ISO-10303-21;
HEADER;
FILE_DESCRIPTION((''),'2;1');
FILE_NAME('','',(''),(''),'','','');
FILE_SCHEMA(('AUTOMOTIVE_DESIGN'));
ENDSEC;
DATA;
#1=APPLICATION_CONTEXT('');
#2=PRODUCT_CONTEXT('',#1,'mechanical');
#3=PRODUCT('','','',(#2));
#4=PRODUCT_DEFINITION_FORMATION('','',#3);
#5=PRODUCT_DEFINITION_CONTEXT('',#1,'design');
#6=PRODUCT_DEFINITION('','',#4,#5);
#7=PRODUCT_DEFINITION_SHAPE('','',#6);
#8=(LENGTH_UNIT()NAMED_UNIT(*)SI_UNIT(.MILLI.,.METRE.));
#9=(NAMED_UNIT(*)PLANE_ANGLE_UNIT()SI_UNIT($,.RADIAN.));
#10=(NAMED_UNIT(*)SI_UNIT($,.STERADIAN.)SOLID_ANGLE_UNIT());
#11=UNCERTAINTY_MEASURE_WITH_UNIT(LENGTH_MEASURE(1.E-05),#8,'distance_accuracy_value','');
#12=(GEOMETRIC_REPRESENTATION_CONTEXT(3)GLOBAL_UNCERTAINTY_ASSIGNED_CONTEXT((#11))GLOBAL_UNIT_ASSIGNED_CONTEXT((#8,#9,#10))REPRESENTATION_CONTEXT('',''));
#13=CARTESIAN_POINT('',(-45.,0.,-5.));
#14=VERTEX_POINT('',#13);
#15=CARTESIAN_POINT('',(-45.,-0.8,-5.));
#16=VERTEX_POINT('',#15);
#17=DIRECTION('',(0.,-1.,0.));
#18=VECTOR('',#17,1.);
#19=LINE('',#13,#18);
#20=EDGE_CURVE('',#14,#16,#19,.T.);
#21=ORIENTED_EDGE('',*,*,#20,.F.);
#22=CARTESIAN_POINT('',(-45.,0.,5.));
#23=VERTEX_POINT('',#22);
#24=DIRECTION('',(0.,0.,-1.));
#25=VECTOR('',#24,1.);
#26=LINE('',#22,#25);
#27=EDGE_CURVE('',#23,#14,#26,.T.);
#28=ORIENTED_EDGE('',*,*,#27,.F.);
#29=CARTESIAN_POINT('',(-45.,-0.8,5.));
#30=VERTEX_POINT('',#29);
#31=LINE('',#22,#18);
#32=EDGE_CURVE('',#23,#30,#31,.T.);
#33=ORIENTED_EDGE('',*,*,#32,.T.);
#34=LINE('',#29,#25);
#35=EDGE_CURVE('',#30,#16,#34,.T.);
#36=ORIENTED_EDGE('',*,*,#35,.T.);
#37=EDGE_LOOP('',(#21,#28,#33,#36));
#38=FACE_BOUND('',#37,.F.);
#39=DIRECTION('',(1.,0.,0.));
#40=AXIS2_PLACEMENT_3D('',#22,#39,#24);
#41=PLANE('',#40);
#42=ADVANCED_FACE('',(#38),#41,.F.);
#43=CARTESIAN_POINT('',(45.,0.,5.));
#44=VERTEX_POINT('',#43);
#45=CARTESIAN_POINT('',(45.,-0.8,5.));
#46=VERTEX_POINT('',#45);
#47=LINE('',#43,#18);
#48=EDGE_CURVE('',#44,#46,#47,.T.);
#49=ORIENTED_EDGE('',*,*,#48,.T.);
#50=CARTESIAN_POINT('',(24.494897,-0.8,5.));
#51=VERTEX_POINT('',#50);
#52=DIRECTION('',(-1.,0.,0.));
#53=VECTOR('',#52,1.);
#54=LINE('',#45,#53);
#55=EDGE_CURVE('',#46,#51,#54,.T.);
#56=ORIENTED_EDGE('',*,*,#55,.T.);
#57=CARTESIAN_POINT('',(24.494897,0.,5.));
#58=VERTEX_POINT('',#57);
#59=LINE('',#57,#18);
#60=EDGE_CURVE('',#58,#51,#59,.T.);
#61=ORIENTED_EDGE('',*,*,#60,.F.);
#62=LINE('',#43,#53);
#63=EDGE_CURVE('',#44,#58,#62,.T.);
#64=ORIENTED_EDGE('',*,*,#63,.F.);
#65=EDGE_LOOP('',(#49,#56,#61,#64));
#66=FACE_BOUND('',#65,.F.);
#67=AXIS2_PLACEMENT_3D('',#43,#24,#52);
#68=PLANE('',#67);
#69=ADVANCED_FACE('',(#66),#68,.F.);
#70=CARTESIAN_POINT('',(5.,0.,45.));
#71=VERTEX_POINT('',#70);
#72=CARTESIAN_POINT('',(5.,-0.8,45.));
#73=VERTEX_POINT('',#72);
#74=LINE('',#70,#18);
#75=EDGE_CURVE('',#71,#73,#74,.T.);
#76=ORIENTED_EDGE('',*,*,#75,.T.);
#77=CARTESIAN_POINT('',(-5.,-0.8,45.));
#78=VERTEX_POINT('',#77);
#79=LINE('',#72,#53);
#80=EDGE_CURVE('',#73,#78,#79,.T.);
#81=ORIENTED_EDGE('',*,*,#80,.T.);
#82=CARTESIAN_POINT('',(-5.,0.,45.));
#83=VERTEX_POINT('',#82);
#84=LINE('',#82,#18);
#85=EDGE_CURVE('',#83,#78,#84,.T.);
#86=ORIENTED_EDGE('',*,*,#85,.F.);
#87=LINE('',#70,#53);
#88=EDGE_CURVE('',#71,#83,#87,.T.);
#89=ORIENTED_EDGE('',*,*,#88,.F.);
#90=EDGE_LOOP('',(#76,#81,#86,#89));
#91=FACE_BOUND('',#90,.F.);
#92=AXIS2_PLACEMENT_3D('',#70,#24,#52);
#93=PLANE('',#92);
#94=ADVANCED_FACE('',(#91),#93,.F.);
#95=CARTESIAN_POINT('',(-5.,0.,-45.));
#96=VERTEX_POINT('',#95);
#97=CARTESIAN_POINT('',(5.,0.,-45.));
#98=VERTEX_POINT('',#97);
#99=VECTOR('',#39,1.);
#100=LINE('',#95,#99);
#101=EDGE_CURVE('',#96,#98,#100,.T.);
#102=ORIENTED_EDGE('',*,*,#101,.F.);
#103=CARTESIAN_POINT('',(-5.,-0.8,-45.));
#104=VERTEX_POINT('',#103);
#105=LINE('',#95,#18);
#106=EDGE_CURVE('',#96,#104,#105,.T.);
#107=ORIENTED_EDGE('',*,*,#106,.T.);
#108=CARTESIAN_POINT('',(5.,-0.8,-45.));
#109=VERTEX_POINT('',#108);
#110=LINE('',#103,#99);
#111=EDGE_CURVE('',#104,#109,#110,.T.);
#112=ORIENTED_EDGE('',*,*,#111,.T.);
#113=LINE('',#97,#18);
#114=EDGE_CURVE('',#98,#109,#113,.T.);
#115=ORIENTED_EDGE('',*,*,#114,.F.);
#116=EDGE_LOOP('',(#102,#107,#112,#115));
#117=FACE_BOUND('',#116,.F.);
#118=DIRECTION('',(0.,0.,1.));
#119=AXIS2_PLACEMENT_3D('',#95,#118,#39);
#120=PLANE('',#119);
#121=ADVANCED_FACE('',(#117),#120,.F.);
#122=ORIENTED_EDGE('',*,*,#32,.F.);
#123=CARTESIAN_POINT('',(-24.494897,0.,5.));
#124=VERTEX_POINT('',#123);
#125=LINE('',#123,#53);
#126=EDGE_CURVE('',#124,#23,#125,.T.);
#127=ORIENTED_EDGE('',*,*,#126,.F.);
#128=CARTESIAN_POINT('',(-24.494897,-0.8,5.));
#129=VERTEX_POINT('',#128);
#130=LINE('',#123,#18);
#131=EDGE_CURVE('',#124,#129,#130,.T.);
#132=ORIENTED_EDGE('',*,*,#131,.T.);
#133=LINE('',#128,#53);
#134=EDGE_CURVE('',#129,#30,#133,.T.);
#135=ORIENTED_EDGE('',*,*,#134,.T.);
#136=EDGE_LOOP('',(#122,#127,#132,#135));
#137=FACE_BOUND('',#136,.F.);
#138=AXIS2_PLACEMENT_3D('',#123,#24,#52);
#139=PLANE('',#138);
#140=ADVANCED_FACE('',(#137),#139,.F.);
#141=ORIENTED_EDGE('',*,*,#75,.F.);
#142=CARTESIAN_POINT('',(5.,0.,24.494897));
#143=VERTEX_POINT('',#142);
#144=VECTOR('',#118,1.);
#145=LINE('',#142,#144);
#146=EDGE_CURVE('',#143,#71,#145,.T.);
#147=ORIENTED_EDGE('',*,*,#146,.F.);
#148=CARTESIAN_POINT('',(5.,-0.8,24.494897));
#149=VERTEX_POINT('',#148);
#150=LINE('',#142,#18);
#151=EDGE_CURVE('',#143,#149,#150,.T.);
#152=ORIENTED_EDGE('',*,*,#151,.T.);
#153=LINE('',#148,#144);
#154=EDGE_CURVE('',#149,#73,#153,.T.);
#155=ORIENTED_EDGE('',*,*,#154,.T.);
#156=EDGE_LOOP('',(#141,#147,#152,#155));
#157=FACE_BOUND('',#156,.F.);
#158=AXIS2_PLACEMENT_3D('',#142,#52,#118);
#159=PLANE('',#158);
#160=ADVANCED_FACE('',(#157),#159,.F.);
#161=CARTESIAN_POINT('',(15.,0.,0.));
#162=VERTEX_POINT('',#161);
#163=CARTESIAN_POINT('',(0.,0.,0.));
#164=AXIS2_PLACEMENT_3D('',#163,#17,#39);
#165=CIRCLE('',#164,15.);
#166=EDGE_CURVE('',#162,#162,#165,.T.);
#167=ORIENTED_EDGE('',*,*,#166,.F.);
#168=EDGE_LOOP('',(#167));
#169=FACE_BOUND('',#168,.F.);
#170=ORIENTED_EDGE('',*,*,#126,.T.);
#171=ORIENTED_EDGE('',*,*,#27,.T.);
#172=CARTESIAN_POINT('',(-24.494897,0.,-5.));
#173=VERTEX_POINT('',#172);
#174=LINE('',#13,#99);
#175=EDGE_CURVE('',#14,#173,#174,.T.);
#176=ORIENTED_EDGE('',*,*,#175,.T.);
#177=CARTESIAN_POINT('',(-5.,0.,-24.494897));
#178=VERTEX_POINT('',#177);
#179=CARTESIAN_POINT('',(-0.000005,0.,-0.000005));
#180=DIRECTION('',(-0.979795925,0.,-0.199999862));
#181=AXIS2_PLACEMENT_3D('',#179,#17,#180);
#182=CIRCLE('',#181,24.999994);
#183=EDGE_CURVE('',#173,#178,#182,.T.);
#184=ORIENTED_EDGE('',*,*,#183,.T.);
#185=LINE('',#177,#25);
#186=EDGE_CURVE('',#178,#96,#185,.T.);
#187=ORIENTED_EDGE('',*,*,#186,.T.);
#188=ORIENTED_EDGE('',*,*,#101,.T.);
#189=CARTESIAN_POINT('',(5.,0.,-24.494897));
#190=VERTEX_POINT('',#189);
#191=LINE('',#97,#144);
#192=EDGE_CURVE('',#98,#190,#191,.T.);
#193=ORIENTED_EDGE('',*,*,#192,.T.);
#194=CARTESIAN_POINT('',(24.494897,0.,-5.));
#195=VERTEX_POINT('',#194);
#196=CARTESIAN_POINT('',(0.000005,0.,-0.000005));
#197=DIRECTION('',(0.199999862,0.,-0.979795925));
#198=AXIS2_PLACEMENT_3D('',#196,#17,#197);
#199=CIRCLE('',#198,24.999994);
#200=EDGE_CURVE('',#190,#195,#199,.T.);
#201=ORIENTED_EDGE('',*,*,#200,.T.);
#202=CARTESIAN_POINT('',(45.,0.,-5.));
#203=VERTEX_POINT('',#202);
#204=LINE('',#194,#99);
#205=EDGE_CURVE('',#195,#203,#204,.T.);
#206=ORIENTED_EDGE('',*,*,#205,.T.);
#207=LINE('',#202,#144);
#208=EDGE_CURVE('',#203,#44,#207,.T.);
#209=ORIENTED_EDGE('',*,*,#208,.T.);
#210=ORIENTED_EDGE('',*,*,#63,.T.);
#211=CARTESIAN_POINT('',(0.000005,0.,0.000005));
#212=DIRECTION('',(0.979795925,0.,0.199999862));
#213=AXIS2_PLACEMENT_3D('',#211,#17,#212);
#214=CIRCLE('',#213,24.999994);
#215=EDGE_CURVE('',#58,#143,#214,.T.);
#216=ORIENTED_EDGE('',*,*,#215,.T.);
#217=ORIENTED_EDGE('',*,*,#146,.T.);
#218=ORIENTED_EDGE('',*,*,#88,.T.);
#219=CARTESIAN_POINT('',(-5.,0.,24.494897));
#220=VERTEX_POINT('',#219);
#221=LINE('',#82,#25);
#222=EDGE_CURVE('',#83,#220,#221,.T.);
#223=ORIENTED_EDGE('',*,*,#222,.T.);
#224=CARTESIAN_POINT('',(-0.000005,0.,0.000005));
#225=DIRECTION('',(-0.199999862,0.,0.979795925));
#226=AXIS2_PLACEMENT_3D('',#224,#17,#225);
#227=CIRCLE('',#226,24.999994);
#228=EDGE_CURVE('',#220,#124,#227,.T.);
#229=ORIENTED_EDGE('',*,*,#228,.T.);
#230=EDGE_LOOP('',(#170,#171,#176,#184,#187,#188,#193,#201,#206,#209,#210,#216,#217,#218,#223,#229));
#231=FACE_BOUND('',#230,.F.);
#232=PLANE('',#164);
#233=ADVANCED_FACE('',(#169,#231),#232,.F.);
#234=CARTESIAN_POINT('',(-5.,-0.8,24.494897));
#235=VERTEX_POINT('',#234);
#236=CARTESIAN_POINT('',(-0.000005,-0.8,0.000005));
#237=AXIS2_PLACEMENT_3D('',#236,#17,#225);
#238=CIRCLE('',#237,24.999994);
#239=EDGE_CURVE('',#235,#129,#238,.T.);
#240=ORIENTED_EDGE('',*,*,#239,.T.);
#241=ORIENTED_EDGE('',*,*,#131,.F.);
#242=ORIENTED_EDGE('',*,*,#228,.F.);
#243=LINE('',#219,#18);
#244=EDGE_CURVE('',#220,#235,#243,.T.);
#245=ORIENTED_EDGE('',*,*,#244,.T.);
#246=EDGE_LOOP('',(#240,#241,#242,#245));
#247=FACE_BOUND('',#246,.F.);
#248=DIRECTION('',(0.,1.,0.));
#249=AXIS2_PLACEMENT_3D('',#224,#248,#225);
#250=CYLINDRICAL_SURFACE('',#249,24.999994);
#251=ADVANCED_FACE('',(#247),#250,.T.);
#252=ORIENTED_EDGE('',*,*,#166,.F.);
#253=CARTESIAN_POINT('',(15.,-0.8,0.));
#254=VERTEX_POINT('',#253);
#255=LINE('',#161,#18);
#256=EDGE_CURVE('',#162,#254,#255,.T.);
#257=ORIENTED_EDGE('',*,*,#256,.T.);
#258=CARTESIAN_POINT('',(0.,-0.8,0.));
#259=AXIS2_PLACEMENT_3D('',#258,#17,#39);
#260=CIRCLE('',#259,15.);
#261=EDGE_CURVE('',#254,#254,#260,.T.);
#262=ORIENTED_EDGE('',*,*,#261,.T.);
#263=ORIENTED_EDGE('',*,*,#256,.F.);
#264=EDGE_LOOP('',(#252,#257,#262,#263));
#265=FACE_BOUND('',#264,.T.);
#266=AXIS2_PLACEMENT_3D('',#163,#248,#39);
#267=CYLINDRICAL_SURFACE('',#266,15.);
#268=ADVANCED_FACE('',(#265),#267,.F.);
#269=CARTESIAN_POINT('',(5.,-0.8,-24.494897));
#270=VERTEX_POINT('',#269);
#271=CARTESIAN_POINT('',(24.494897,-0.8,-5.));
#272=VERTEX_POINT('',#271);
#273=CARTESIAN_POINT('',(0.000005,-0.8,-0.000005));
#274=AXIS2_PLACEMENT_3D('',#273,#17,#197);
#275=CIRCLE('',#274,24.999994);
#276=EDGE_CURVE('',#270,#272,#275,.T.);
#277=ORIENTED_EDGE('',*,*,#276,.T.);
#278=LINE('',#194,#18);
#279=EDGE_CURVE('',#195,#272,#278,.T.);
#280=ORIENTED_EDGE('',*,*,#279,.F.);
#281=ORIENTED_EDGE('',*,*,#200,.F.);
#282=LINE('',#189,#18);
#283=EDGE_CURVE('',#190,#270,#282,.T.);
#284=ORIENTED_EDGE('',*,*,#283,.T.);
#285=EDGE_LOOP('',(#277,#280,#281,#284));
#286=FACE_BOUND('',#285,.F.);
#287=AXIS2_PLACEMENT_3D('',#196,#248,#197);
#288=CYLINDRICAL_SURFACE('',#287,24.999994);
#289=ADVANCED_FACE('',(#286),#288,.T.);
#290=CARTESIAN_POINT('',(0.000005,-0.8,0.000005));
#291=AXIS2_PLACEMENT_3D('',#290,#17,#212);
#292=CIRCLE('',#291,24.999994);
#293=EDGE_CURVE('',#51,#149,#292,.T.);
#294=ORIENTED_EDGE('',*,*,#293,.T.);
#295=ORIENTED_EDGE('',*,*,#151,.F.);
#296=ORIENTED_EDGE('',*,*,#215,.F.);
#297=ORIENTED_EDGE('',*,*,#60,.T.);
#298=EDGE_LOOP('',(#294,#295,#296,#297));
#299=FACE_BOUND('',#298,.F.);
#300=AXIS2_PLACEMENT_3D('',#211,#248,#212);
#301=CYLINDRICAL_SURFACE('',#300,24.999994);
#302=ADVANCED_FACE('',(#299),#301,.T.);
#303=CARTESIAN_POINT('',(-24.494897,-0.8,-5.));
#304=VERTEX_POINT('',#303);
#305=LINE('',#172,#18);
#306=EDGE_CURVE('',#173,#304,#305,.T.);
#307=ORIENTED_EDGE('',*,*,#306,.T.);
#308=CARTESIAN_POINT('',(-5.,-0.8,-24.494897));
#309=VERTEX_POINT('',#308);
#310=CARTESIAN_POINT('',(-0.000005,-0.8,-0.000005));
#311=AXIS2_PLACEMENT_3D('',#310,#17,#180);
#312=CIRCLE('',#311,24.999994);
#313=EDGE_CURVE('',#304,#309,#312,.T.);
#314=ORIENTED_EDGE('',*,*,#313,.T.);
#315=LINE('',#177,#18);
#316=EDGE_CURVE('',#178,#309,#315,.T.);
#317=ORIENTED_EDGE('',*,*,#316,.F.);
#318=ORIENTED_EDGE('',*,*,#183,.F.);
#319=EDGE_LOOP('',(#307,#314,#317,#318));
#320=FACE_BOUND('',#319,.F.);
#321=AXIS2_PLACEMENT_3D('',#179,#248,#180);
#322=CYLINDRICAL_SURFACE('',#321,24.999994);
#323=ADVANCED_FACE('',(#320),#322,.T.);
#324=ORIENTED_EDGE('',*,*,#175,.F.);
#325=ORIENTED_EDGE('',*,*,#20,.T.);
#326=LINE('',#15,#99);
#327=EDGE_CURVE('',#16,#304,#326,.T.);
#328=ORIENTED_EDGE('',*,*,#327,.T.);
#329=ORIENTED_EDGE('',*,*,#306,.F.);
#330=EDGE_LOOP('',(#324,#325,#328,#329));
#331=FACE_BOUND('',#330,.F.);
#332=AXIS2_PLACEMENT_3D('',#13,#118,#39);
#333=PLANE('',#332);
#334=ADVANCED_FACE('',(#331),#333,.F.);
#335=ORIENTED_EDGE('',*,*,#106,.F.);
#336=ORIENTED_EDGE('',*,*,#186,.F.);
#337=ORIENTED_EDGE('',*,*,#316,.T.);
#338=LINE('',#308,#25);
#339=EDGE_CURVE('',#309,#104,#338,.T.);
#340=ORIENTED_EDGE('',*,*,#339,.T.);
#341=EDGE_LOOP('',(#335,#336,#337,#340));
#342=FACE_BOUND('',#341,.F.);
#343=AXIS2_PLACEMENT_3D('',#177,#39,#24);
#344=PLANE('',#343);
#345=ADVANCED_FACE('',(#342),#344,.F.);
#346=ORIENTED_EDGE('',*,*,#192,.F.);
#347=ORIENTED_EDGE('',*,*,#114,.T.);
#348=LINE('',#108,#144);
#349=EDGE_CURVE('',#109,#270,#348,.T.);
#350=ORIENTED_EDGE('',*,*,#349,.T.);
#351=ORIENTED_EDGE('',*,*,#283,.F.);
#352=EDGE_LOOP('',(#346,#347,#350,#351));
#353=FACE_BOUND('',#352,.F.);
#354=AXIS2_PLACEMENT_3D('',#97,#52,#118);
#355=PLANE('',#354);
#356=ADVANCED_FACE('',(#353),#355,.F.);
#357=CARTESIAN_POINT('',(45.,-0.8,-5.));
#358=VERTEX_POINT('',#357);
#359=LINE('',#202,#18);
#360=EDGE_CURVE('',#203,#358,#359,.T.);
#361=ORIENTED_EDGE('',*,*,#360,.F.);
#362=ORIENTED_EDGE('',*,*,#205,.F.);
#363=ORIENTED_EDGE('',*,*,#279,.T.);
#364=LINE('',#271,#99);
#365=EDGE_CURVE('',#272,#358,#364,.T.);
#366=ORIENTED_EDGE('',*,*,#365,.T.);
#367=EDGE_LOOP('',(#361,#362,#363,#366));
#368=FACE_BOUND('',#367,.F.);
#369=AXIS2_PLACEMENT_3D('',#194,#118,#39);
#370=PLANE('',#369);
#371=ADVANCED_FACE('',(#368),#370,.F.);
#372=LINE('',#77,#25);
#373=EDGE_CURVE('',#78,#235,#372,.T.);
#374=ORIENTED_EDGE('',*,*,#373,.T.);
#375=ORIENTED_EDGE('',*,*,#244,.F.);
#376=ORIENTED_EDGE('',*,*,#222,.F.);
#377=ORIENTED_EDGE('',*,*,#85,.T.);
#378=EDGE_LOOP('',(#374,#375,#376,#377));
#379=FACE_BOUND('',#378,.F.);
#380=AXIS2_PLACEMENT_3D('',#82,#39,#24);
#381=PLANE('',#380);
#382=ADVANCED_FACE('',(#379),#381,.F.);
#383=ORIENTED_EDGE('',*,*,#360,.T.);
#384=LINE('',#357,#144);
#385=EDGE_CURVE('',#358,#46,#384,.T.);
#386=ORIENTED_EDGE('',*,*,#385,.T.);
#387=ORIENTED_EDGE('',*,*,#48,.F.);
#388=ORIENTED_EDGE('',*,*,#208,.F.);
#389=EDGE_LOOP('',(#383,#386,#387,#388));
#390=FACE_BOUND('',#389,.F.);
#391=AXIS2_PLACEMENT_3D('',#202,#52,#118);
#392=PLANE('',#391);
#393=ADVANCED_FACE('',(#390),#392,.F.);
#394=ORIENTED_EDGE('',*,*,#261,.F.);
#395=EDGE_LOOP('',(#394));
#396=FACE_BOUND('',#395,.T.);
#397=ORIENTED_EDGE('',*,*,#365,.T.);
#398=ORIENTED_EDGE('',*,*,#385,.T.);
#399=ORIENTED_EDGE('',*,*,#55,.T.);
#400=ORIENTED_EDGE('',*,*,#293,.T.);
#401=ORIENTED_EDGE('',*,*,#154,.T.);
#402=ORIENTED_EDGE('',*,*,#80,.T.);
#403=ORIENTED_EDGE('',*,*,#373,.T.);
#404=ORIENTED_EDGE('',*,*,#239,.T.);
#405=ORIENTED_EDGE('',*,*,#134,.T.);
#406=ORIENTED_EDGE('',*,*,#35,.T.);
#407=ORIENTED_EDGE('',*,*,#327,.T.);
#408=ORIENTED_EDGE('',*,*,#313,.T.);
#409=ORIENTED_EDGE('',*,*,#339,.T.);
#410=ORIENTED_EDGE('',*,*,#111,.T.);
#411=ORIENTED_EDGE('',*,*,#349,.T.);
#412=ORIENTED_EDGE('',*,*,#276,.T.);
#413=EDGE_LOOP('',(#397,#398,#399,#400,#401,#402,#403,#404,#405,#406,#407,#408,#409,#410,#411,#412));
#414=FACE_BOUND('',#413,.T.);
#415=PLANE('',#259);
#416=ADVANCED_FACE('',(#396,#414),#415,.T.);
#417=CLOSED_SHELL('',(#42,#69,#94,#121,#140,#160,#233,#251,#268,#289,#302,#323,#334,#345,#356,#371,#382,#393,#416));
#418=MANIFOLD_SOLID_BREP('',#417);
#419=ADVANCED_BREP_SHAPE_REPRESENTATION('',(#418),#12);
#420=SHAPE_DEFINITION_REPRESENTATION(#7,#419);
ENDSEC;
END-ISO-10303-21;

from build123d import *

# Parameters (mm, degrees)
F0_R     = 15
F1_DEPTH = 0.8


with BuildPart() as f1:
    # F0 (on Front) → F1 (new body)
    with BuildSketch(Plane.XZ):
        with BuildLine():
            Line((-45, -5), (-24.494897, -5))
            ThreePointArc((-24.494897, -5), (-17.67767, -17.67767), (-5, -24.494897))
            Line((-5, -24.494897), (-5, -45))
            Line((-5, -45), (5, -45))
            Line((5, -45), (5, -24.494897))
            ThreePointArc((5, -24.494897), (17.67767, -17.67767), (24.494897, -5))
            Line((24.494897, -5), (45, -5))
            Line((45, -5), (45, 5))
            Line((45, 5), (24.494897, 5))
            ThreePointArc((24.494897, 5), (17.67767, 17.67767), (5, 24.494897))
            Line((5, 24.494897), (5, 45))
            Line((5, 45), (-5, 45))
            Line((-5, 45), (-5, 24.494897))
            ThreePointArc((-5, 24.494897), (-17.67767, 17.67767), (-24.494897, 5))
            Line((-24.494897, 5), (-45, 5))
            Line((-45, 5), (-45, -5))
        make_face()
        Circle(F0_R, mode=Mode.SUBTRACT)
    extrude(amount=F1_DEPTH)


solid = f1.part
